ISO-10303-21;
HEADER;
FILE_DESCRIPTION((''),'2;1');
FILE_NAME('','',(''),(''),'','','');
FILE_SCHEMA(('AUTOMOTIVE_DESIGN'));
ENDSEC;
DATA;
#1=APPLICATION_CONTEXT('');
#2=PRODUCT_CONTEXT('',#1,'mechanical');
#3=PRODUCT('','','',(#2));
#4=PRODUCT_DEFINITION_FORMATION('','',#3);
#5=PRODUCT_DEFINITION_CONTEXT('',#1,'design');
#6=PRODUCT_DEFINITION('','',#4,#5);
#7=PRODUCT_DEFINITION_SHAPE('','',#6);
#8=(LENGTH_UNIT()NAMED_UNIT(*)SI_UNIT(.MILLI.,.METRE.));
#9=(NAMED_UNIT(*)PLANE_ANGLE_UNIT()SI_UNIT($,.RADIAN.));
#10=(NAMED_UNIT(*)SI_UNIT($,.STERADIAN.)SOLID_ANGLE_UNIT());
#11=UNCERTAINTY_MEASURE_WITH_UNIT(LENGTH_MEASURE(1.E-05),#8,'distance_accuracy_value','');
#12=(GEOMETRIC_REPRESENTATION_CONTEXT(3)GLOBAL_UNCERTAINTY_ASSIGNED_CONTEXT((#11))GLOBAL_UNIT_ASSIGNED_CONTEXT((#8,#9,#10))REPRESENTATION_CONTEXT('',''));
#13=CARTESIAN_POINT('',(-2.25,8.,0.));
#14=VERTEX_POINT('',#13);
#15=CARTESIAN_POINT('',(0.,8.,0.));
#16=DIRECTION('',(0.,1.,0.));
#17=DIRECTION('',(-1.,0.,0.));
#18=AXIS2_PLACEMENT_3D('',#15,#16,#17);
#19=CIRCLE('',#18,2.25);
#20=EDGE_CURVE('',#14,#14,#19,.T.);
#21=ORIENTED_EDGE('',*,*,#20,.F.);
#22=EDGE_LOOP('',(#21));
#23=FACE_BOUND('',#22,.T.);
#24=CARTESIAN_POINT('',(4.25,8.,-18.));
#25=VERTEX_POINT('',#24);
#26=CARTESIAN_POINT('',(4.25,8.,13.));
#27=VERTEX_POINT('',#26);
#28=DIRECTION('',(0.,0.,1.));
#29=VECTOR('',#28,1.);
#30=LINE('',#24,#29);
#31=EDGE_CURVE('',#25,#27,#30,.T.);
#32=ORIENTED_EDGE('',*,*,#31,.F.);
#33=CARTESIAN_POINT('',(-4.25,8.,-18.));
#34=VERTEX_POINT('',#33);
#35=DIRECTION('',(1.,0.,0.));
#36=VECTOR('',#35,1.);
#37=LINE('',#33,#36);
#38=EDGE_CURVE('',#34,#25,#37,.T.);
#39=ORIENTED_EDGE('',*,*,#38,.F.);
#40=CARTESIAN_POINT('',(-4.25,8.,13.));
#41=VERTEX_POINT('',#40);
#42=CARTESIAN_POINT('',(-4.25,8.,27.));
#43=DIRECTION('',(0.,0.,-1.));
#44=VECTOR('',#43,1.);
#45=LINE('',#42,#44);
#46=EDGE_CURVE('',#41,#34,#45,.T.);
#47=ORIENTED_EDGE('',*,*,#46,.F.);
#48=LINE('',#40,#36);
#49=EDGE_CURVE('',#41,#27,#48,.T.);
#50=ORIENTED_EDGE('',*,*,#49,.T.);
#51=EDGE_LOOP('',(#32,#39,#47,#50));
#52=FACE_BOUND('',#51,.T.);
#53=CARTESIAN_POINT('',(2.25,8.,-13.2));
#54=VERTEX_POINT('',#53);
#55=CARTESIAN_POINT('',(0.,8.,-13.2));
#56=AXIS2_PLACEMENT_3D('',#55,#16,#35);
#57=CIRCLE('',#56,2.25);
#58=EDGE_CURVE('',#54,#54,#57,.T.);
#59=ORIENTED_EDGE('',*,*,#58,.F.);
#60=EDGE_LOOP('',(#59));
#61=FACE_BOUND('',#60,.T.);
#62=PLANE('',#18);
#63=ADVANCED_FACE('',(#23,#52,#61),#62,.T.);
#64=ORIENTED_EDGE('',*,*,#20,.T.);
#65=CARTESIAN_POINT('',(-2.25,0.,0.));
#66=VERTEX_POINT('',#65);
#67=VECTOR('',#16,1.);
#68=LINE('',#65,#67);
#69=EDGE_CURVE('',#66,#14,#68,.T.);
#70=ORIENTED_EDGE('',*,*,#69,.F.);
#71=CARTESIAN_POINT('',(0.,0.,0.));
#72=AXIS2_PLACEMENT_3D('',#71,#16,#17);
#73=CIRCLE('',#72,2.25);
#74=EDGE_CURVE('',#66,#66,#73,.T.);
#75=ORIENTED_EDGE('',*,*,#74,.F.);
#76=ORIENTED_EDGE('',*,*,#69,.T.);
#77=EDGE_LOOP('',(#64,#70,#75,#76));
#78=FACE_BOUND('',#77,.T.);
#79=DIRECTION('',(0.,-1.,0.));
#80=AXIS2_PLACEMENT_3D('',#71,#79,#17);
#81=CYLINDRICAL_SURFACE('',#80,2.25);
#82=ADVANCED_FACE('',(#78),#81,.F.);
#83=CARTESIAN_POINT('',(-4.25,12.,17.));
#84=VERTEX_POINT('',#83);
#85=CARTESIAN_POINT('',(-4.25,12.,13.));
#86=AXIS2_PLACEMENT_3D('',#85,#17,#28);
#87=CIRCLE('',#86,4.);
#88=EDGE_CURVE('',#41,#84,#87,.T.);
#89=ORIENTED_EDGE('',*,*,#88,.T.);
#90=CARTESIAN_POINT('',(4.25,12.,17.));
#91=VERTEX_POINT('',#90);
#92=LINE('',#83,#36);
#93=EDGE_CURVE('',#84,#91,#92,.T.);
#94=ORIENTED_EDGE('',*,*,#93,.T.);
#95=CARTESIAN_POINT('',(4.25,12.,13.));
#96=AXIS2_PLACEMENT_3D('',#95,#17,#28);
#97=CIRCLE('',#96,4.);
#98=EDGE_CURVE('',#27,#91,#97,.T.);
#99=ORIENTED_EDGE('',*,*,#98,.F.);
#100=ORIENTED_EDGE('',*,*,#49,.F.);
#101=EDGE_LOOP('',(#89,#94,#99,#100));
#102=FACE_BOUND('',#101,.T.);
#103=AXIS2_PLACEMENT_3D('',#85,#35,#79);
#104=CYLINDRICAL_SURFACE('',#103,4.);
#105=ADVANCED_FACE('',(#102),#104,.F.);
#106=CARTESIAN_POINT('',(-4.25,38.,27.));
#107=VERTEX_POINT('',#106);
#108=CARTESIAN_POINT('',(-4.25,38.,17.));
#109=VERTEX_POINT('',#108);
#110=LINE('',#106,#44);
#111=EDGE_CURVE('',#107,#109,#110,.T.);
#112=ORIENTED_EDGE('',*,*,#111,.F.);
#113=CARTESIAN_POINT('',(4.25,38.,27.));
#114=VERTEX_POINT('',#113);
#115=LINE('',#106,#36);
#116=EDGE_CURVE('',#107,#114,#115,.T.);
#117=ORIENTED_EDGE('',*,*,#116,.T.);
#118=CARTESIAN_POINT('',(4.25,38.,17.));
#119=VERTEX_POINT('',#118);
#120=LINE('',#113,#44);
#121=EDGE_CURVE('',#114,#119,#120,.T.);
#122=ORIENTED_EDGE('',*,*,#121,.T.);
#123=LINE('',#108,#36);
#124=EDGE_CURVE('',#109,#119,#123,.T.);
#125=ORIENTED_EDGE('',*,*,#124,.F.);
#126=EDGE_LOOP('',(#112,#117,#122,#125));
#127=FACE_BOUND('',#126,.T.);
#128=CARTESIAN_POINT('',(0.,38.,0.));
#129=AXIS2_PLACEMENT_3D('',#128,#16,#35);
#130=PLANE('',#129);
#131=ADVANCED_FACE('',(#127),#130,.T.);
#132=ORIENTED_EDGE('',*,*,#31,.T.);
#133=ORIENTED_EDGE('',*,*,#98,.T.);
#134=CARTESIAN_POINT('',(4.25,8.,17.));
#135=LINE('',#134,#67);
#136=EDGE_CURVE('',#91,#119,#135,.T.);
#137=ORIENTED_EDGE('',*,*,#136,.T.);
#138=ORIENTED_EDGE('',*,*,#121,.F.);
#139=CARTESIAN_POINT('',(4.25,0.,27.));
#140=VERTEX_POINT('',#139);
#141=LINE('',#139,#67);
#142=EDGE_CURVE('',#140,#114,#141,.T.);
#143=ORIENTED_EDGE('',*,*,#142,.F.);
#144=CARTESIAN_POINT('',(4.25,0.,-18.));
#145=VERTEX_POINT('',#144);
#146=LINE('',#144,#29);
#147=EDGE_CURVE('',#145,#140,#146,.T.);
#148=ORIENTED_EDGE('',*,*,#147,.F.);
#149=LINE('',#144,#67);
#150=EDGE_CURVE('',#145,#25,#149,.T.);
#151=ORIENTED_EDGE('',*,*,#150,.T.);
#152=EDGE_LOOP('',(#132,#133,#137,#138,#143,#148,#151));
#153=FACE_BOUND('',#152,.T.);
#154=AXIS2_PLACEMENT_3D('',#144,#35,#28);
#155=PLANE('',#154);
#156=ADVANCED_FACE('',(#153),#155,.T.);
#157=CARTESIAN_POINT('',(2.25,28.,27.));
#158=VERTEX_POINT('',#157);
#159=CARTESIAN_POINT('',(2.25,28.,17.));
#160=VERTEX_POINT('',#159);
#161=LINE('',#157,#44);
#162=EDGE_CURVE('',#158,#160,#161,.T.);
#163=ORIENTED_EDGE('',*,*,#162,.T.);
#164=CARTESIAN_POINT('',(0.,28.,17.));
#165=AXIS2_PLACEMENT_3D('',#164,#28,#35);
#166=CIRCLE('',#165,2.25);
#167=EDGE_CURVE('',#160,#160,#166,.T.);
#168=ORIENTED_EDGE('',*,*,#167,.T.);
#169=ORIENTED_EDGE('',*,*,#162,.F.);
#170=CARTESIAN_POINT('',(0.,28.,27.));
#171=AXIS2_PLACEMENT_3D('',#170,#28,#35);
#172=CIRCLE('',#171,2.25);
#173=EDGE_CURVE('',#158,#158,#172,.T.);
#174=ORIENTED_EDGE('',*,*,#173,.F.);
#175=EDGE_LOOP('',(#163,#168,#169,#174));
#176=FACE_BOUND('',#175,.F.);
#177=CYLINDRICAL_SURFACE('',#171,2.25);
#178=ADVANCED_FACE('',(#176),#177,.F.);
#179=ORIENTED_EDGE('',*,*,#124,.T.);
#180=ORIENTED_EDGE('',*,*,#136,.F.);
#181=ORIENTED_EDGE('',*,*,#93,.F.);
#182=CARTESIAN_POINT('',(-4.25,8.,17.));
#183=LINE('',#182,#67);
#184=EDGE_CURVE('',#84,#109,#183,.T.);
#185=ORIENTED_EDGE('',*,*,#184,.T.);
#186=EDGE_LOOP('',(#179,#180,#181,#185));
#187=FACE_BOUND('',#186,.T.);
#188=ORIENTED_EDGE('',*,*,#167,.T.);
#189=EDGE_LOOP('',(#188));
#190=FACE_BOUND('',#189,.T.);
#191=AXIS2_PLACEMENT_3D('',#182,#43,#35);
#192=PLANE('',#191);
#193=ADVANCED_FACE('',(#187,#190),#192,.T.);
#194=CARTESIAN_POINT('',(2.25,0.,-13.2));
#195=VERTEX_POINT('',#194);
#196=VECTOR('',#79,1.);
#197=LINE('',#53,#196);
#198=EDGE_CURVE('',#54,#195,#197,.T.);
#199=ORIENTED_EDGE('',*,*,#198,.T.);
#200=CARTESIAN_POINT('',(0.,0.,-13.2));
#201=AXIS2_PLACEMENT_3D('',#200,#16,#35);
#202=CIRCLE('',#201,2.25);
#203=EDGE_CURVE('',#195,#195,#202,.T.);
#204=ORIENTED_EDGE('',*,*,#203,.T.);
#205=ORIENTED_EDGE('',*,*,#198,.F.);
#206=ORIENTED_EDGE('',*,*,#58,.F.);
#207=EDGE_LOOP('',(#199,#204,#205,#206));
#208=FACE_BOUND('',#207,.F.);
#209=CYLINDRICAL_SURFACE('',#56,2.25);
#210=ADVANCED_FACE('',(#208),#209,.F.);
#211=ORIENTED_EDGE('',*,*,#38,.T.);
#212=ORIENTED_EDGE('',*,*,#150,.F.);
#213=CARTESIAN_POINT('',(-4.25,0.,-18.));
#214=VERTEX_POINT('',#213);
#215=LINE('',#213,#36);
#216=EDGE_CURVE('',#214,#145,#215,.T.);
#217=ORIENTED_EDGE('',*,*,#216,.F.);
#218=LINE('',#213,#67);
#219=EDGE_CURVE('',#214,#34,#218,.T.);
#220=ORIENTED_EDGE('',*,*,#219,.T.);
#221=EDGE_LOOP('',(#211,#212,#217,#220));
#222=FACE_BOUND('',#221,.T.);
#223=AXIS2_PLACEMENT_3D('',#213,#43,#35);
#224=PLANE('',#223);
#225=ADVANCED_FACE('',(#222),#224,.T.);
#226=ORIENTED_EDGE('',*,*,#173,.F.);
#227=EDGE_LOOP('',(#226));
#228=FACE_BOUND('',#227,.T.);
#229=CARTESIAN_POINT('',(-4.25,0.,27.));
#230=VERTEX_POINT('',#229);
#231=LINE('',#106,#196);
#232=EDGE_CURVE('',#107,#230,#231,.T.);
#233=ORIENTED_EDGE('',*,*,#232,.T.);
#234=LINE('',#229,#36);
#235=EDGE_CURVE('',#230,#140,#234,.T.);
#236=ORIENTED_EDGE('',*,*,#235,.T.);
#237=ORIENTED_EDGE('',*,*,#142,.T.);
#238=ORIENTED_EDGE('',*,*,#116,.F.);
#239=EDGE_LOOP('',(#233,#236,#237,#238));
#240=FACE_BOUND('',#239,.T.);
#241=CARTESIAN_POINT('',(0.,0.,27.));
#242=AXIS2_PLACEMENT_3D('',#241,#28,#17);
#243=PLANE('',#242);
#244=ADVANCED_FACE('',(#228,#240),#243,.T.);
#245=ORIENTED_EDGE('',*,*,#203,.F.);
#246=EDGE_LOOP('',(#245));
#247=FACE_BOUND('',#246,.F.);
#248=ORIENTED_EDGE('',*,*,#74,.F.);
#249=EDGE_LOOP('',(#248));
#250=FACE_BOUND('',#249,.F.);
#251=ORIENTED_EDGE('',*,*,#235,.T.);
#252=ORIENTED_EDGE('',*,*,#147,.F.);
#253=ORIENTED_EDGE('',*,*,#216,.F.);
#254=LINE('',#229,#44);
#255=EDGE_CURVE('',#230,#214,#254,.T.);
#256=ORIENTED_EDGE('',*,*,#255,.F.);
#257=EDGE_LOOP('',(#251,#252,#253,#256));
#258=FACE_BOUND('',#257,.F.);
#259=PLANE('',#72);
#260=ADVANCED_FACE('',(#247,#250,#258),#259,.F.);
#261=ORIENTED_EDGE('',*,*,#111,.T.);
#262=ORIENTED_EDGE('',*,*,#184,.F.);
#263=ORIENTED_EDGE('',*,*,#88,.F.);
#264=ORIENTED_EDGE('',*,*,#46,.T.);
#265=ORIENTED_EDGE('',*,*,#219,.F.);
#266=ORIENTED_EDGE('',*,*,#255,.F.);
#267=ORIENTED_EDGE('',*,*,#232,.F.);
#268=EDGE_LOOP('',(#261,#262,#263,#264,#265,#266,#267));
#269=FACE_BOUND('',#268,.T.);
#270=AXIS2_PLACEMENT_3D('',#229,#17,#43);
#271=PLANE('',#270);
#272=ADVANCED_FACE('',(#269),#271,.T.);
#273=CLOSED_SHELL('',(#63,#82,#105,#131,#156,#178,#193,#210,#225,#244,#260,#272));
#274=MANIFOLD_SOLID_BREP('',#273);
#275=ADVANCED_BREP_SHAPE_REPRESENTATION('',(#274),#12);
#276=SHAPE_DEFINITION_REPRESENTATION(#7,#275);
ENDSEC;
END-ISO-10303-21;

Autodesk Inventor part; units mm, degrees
ref_plane "YZ Plane" through (0, 0, 0) normal (1, 0, 0) x (0, 1, 0)
ref_plane "XZ Plane" through (0, 0, 0) normal (0, 1, 0) x (-1, 0, 0)
ref_plane "XY Plane" through (0, 0, 0) normal (0, 0, 1) x (1, 0, 0)
sketch "Sketch1" plane through (0, 0, 0) normal (0, 1, 0) x (-1, 0, 0)
  point P0 (0, 0)
sketch "Sketch2" plane through (0, 0, 0) normal (0, 1, 0) x (-1, 0, 0)
  point P0 (0, 0)
sketch "Sketch3" plane through (0, 0, 0) normal (0, 1, 0) x (-1, 0, 0)
  circle A0 centre (0, 0) radius 2.25
  line L0 (0, 0) -> (0, 27) construction
  line L1 (0, 27) -> (4.25, 27)
  line L2 (4.25, 27) -> (4.25, -18)
  line L3 (4.25, -18) -> (-4.25, -18)
  line L4 (-4.25, -18) -> (-4.25, 27)
  line L5 (-4.25, 27) -> (0, 27)
  dimension "d0" = 4.5
  dimension "d1" = 27
  dimension "d3" = 45
  dimension "d4" = 8.5
  dimension "d5" = 45
extrude "Extrusion1" add sketch "Sketch3" along normal blind 8
sketch "Sketch4" plane through (0, 8, 0) normal (0, 1, 0) x (1, 0, 0)
  line L0 (-4.25, 18) -> (-4.25, -27) projected
  line L1 (-4.25, -27) -> (-4.25, -17)
  line L2 (-4.25, -22) -> (-4.25, -17)
  line L3 (-4.25, -17) -> (4.25, -17)
  line L4 (4.25, -27) -> (4.25, 18) projected
  line L5 (4.25, -27) -> (4.25, -17)
  line L6 (-4.25, -27) -> (4.25, -27)
  point P0 (0, 0)
  dimension "d8" = 10
extrude "Extrusion2" add sketch "Sketch4" along normal blind 30
fillet "Fillet1" radius 4 1 edges at (0, 8, 17)
sketch "Sketch5" plane through (-4.25, 0, 27) normal (0, 0, 1) x (1, 0, 0)
  line L0 (0, 12) -> (0, 38) construction
  line L1 (16.0039, 8) -> (16.0039, 38) construction
  circle A0 centre (4.25, 28) radius 2.25
  line L2 (0, 38) -> (8.5, 38) construction
  line L3 (0, 38) -> (4.25, 38) construction
  line L4 (4.25, 38) -> (4.25, 28) construction
  point P0 (4.25, 0)
  dimension "d12" = 4.5
  dimension "d27" = 4.25
extrude "Extrusion3" cut sketch "Sketch5" against normal blind 20
sketch "Sketch7" plane through (0, 8, 0) normal (0, 1, 0) x (1, 0, 0)
  line L0 (0, 0) -> (0, 13.2) construction
  circle A0 centre (0, 13.2) radius 2.25
  dimension "d18" = 13.2
  dimension "d19" = 4.5
extrude "Extrusion5" cut sketch "Sketch7" against normal blind 19.4625
properties part number "Lconector"
